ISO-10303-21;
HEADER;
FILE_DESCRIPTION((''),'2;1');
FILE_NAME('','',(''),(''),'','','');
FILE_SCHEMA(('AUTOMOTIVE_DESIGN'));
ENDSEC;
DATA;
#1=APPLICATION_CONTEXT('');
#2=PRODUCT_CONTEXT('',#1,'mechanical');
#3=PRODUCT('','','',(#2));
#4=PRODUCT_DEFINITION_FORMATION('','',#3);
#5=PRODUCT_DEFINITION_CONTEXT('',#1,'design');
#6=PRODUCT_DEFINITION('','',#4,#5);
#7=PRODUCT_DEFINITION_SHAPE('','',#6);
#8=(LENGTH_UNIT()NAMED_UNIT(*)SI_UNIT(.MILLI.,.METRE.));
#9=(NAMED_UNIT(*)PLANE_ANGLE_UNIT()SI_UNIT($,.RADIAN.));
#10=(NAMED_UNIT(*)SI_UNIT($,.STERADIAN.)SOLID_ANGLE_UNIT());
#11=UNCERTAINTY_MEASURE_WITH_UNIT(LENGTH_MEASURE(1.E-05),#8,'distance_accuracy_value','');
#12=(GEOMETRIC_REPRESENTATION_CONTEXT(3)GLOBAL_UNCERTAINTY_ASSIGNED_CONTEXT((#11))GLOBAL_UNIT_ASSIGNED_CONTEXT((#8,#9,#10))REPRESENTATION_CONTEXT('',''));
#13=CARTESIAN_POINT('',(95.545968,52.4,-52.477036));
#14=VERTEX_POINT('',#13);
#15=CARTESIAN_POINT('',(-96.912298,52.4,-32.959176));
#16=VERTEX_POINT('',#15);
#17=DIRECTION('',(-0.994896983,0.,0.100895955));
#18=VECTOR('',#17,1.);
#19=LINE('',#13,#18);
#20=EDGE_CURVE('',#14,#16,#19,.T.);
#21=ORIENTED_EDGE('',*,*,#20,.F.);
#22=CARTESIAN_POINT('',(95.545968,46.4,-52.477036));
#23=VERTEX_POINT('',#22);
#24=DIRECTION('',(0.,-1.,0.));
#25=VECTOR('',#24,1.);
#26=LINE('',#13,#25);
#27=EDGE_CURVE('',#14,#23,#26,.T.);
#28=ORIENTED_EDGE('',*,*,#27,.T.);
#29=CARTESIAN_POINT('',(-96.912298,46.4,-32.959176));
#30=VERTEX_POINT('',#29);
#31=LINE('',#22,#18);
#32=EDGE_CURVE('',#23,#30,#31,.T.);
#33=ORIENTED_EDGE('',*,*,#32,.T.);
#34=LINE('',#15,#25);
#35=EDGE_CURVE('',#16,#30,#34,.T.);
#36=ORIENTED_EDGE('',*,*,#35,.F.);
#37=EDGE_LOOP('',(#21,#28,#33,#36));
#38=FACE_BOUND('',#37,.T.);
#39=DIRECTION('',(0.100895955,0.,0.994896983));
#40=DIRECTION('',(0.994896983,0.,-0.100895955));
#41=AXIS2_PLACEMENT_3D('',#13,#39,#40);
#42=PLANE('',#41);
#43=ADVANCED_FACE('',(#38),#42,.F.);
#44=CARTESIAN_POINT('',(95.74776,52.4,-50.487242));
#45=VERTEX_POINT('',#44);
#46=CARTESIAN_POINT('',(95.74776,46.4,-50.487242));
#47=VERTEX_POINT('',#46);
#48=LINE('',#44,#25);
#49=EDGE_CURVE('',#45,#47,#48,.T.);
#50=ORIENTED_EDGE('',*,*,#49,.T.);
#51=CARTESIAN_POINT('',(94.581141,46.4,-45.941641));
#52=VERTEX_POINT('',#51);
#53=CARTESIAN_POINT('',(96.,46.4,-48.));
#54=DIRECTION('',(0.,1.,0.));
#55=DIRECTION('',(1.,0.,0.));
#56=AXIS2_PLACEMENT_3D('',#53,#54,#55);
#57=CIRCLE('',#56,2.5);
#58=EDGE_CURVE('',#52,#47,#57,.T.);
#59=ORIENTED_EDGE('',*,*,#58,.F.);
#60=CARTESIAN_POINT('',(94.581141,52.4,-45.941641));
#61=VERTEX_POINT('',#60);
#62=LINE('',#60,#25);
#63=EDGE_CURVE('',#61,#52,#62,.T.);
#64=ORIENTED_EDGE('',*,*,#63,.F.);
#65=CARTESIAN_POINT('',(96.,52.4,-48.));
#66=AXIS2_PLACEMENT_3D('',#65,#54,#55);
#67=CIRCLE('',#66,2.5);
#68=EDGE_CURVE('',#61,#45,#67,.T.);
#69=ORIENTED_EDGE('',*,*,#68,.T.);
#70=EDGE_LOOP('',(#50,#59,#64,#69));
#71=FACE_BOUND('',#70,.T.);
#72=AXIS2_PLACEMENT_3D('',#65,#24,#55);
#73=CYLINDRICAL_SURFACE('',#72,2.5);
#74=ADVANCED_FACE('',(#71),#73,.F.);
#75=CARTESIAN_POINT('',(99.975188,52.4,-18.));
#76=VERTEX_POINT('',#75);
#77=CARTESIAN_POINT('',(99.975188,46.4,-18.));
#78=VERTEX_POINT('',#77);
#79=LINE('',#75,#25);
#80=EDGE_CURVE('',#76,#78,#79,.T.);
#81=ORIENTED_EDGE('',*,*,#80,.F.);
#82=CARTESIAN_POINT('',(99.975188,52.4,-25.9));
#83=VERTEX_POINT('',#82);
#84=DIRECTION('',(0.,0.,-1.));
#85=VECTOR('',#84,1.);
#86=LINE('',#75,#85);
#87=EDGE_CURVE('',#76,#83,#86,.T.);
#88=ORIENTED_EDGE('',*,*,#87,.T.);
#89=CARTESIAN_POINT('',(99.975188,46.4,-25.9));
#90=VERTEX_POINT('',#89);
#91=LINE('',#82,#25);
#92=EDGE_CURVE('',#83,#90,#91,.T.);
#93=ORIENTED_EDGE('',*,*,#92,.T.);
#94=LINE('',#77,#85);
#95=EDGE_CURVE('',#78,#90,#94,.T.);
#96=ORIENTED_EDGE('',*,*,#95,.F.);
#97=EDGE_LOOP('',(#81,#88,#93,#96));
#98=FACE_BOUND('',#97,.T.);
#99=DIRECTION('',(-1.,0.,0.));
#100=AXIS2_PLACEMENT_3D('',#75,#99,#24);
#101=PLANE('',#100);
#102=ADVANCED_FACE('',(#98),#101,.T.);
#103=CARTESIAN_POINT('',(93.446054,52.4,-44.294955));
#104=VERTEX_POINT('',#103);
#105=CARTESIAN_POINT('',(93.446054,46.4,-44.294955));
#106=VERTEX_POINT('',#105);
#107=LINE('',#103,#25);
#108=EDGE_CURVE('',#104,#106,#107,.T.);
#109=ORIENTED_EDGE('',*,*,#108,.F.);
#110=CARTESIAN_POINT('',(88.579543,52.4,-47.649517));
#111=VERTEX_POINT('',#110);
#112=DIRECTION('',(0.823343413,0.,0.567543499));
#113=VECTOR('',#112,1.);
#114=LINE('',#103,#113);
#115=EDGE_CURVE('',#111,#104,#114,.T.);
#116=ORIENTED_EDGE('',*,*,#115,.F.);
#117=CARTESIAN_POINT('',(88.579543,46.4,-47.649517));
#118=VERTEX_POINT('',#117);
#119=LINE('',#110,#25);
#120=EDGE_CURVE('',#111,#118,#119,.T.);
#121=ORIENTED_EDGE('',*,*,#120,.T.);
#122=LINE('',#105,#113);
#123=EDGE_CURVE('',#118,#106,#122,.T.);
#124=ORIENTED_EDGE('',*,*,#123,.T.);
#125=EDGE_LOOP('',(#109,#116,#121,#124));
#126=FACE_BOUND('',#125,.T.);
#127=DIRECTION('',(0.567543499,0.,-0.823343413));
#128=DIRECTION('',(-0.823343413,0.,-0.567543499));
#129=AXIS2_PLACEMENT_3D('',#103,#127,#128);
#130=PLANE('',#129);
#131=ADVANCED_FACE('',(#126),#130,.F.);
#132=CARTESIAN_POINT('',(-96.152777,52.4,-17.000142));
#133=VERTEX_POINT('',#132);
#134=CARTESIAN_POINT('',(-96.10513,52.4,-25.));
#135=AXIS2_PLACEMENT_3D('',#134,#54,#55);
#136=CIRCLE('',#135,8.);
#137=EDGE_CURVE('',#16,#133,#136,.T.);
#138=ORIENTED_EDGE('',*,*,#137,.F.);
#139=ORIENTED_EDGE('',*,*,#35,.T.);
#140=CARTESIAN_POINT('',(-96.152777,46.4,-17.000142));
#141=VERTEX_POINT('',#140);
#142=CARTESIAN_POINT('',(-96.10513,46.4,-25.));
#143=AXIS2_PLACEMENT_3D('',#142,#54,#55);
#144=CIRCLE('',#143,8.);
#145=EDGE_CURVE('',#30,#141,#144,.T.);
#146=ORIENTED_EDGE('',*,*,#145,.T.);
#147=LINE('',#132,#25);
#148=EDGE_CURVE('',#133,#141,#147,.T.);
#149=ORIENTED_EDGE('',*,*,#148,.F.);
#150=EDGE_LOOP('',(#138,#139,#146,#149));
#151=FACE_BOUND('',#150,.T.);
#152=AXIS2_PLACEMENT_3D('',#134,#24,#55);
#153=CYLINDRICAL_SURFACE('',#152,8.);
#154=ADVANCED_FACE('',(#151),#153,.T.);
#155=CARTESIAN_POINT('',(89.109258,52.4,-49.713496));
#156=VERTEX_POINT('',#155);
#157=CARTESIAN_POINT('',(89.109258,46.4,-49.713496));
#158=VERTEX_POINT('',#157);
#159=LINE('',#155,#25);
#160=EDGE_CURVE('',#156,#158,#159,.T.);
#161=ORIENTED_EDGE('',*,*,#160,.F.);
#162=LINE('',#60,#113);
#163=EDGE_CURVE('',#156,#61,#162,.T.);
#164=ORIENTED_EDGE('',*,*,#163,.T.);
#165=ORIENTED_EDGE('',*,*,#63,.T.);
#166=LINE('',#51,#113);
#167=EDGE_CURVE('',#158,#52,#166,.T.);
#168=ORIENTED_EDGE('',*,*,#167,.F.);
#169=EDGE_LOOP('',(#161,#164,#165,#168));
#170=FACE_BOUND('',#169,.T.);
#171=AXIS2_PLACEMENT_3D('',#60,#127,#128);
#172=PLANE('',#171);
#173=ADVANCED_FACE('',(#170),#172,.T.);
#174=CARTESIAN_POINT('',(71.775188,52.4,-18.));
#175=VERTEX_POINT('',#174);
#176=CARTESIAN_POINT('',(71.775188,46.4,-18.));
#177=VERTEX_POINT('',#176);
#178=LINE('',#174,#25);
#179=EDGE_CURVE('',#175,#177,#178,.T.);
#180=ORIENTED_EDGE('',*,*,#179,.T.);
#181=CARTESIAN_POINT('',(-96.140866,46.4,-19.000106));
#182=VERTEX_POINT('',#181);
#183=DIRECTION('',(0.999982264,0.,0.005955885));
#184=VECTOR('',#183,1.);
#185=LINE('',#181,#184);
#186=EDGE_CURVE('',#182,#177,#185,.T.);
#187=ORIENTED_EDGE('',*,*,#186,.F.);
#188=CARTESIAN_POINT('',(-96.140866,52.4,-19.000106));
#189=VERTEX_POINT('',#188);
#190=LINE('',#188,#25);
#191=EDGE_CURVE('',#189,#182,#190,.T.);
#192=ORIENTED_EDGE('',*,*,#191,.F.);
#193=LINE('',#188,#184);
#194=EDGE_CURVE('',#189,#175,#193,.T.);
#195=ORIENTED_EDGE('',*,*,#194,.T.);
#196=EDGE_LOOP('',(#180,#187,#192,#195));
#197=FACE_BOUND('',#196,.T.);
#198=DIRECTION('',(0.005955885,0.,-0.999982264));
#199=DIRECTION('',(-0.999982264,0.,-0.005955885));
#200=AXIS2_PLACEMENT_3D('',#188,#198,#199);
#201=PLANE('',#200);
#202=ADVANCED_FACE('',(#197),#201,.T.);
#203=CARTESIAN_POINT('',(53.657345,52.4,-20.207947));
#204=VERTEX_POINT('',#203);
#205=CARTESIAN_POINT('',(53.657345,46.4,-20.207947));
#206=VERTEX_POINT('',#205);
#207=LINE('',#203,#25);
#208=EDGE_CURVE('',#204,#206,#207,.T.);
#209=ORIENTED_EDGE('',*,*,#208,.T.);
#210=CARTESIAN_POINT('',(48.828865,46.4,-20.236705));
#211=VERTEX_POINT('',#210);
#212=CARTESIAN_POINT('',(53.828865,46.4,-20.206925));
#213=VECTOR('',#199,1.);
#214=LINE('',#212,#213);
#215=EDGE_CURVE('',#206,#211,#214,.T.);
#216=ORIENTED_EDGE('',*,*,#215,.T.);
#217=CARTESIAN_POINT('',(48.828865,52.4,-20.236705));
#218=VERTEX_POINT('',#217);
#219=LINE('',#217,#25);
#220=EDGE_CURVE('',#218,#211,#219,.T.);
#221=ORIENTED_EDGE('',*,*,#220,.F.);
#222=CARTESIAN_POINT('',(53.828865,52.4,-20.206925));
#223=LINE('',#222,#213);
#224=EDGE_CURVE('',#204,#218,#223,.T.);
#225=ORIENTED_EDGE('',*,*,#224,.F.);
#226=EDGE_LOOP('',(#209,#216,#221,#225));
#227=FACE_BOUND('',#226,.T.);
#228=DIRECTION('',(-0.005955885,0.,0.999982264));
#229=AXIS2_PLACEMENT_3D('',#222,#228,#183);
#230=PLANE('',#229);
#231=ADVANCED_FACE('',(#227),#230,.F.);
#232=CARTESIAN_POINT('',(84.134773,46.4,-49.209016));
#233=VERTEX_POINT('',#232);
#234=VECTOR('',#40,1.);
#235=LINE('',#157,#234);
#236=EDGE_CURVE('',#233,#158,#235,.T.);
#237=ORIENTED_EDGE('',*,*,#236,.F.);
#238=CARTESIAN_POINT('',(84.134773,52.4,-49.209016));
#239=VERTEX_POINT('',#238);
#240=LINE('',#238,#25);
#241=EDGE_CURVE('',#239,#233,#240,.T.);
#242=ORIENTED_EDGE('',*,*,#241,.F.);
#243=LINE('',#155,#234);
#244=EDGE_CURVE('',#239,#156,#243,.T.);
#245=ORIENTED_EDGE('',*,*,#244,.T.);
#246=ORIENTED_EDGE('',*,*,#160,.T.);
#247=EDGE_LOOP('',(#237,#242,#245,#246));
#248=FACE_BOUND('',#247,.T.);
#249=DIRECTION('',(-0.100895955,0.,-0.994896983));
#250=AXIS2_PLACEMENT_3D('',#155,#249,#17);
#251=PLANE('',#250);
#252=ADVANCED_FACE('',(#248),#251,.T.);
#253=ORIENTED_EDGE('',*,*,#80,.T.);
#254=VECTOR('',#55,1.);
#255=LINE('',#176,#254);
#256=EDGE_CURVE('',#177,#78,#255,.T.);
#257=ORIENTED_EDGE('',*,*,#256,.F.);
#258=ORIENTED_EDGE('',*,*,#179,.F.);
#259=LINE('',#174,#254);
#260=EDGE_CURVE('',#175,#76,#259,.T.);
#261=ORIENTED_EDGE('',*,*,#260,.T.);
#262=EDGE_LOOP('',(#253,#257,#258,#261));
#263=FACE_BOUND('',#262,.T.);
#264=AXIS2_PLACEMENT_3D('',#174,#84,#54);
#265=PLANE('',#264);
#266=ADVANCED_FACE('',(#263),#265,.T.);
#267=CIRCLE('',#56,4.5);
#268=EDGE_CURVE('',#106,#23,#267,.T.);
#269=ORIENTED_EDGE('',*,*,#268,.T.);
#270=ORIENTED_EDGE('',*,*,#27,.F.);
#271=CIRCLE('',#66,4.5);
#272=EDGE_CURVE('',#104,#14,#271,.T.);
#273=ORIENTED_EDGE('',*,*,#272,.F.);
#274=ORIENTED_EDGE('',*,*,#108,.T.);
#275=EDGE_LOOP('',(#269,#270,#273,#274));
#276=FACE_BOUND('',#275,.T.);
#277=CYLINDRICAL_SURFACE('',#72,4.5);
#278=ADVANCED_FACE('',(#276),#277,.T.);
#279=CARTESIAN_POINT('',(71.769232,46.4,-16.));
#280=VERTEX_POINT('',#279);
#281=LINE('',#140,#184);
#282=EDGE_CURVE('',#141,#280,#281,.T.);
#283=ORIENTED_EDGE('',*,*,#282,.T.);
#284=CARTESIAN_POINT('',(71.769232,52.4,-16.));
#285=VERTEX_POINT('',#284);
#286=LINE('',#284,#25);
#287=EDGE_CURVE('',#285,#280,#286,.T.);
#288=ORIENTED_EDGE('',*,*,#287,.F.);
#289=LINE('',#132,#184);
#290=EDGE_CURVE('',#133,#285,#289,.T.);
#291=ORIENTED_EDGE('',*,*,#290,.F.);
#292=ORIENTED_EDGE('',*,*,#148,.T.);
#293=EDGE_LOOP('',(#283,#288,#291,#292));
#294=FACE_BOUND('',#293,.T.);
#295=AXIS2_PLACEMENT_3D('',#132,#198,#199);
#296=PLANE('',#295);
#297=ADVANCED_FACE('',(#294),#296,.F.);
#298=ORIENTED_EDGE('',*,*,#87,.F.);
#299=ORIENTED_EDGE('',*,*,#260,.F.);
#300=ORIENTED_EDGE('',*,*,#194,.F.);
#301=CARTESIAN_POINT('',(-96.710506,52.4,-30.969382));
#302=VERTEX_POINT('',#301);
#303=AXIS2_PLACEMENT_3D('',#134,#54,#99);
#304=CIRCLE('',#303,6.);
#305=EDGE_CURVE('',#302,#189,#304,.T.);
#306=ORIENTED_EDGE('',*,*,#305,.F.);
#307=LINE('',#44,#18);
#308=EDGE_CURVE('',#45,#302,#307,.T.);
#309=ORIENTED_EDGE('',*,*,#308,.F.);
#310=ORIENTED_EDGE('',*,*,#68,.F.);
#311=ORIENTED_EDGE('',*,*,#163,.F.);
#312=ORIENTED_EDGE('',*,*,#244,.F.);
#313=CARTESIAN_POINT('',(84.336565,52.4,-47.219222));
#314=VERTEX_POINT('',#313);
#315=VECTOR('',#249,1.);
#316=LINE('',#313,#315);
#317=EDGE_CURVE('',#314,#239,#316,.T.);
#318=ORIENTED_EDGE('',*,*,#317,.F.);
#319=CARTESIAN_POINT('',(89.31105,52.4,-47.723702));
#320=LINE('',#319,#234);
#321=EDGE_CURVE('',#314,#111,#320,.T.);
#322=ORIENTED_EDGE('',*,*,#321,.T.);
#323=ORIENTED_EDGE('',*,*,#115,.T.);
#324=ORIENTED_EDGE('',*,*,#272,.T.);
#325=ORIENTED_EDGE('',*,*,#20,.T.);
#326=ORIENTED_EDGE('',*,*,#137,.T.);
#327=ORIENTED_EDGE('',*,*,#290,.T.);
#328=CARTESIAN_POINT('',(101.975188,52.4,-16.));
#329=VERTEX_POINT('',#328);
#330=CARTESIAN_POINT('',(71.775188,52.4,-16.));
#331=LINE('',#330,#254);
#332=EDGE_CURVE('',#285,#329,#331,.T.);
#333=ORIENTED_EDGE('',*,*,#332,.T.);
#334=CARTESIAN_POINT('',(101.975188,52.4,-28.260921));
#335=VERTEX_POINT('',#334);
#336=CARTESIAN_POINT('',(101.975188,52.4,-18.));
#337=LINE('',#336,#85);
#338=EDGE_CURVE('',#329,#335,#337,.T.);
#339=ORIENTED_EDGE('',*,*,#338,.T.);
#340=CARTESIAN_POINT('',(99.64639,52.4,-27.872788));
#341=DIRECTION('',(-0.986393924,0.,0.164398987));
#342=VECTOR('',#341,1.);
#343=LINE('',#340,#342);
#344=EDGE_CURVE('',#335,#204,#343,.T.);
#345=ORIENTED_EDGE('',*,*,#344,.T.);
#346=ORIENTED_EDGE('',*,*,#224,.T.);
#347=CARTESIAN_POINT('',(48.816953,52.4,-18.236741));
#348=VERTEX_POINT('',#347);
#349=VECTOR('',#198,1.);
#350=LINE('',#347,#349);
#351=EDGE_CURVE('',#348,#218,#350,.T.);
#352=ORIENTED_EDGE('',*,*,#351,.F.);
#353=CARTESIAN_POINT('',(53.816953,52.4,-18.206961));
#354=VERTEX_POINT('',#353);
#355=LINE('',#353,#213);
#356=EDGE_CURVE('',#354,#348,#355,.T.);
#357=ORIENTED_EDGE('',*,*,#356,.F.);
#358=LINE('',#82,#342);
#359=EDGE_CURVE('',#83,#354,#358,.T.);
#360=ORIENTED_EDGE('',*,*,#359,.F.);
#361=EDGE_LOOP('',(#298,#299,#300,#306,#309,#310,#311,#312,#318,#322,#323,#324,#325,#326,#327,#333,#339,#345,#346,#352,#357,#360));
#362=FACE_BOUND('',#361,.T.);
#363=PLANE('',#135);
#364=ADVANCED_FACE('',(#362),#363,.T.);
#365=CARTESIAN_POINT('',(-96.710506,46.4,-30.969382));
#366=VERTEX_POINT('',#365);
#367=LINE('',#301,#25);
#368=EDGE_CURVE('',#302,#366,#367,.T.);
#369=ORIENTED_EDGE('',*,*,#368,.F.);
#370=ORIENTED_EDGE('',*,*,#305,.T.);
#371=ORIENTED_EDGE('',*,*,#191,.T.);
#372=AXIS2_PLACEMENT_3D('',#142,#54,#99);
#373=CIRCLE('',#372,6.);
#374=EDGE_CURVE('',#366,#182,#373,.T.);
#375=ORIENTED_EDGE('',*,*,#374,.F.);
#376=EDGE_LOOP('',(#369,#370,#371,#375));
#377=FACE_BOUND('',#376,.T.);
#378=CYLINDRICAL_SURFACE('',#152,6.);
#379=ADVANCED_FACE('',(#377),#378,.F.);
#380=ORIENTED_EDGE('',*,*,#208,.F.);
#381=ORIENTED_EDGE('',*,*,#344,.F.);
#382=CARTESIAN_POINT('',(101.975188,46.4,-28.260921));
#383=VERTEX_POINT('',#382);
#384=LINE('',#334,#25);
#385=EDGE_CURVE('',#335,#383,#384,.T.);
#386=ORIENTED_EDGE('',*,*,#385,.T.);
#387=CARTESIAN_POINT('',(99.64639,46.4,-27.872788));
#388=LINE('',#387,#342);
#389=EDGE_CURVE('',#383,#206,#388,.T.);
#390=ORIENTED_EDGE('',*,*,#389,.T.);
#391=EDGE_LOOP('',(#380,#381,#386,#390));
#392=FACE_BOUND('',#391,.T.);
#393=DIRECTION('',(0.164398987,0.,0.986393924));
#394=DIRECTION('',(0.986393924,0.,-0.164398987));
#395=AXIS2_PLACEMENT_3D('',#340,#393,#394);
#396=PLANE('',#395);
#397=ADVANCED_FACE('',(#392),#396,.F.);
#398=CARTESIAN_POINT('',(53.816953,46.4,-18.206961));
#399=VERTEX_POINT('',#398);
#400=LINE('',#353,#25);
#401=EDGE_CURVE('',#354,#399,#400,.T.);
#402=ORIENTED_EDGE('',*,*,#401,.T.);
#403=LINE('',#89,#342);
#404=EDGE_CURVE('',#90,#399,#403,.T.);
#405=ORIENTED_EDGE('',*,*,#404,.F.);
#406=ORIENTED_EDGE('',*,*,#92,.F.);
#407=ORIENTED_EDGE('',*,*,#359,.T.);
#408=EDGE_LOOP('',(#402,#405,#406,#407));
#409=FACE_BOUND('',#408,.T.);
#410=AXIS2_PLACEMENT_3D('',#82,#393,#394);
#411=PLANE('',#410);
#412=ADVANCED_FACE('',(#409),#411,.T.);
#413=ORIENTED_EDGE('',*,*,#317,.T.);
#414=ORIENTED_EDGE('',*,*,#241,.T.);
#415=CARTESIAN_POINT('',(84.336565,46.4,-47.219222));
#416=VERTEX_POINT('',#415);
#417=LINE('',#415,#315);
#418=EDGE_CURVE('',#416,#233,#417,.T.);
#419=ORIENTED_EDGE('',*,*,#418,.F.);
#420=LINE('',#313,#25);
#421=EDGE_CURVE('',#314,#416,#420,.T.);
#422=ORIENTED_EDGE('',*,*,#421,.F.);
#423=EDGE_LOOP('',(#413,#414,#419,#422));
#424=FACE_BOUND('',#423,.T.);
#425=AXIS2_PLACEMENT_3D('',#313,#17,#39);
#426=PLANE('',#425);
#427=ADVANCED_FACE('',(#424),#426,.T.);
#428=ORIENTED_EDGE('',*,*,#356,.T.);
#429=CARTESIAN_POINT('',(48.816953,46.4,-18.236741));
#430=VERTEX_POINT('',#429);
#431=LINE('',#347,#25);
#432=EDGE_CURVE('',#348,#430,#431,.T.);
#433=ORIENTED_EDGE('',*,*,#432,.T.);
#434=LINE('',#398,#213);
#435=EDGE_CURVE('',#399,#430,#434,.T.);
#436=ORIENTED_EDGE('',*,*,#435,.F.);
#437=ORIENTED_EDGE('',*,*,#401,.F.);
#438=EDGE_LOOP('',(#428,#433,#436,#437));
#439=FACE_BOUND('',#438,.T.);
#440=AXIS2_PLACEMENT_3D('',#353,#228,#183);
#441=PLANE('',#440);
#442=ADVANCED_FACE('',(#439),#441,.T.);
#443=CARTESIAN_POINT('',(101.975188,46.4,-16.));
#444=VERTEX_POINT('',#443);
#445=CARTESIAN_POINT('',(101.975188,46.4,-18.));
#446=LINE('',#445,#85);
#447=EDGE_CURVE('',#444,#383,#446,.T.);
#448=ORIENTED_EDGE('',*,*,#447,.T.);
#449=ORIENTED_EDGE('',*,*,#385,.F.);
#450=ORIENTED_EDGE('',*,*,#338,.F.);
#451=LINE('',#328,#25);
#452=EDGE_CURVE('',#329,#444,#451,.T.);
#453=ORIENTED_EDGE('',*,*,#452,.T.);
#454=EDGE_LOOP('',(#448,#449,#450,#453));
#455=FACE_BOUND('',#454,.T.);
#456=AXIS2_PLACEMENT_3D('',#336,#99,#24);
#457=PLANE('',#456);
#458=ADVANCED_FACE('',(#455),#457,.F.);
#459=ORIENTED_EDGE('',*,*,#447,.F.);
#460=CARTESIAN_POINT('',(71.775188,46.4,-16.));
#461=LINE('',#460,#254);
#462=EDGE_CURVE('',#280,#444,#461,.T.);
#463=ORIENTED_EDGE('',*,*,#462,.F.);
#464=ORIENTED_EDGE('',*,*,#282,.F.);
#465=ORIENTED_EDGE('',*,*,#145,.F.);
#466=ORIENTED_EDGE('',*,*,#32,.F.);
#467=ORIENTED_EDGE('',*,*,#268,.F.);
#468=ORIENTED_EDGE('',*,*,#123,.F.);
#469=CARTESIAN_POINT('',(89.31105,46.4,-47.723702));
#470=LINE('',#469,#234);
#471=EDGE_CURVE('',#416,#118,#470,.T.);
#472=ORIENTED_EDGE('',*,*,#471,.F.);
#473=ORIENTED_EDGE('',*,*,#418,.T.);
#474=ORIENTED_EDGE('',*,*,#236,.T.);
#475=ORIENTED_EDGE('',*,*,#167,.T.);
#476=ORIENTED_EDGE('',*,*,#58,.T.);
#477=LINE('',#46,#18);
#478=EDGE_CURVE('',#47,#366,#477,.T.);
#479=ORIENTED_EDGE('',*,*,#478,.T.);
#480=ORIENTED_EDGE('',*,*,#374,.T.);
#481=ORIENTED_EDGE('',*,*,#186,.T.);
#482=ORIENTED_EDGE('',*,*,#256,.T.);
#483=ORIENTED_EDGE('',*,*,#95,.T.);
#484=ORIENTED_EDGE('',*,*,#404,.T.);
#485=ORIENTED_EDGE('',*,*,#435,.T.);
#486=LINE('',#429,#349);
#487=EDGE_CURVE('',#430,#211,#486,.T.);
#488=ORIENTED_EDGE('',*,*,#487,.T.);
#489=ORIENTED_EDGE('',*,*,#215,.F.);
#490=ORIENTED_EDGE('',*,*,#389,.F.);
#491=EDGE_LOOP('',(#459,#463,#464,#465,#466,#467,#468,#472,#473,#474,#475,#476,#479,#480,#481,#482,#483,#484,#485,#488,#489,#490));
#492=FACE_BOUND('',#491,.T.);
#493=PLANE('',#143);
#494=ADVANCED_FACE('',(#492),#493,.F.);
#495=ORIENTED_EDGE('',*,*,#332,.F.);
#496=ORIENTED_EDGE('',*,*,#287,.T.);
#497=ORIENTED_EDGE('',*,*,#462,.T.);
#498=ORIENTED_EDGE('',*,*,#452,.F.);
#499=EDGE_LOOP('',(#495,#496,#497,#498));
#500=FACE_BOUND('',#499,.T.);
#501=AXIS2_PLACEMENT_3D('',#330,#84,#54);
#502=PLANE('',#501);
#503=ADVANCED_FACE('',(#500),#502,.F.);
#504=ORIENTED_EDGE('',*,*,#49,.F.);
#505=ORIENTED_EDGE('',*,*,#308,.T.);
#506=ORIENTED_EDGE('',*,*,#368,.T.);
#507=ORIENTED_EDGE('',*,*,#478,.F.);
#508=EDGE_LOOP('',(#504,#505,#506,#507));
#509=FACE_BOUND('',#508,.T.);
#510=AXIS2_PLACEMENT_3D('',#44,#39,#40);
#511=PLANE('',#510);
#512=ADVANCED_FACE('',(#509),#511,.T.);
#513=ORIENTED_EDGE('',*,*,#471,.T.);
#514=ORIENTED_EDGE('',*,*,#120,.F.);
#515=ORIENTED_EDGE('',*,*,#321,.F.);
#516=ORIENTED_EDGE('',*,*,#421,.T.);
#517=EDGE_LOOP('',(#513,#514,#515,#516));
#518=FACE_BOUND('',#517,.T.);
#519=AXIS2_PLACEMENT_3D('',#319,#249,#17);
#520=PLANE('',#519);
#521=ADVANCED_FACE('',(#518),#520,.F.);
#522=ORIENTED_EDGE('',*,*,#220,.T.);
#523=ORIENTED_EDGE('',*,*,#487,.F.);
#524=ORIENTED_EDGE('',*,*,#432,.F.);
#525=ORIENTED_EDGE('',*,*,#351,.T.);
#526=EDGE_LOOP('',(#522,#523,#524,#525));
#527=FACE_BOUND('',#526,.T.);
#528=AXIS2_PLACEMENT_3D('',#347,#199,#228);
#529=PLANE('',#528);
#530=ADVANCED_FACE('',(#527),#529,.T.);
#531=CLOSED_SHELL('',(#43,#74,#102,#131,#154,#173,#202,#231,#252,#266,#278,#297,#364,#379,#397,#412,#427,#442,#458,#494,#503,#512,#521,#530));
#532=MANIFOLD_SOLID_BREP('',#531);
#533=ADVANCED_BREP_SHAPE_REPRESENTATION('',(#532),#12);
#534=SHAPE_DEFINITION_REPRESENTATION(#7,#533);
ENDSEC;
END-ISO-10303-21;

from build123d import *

# Parameters (mm, degrees)
EXTRUDE_THIN1_DEPTH = 3


with BuildPart() as part:
    # Sketch1 → Extrude-Thin1 (new, symmetric)
    with BuildSketch(Plane(origin=(0, 49.4, 0), x_dir=(1, 0, 0), z_dir=(0, 1, 0))):
        with BuildLine():
            Line((84.13477336, 49.209016257), (89.109258274, 49.713496032))
            Line((89.109258274, 49.713496032), (94.581141252, 45.941641467))
            ThreePointArc((94.581141252, 45.941641467), (98.421521165, 47.378521725), (95.747760112, 50.487242457))
            Line((95.747760112, 50.487242457), (-96.710506132, 30.969381896))
            ThreePointArc((-96.710506132, 30.969381896), (-102.09834696, 24.714771507), (-96.140865711, 19.000106419))
            Line((-96.140865711, 19.000106419), (71.775188242, 18))
            Line((71.775188242, 18), (99.975188242, 18))
            Line((99.975188242, 18), (99.975188242, 25.9))
            Line((99.975188242, 25.9), (53.816953341, 18.20696085))
            Line((53.816953341, 18.20696085), (48.816953341, 18.236740802))
            Line((48.816953341, 18.236740802), (48.82886511, 20.236705329))
            Line((48.82886511, 20.236705329), (53.65734488, 20.20794695))
            Line((53.65734488, 20.20794695), (101.975188242, 28.260920843))
            Line((101.975188242, 28.260920843), (101.975188242, 16))
            Line((101.975188242, 16), (71.769232304, 16))
            Line((71.769232304, 16), (-96.152777481, 17.000141892))
            ThreePointArc((-96.152777481, 17.000141892), (-104.096085812, 24.619695343), (-96.912298043, 32.959175862))
            Line((-96.912298043, 32.959175862), (95.545968202, 52.477036422))
            ThreePointArc((95.545968202, 52.477036422), (100.358738097, 46.881339105), (93.446054253, 44.29495464))
            Line((93.446054253, 44.29495464), (88.579542516, 47.649517336))
            Line((88.579542516, 47.649517336), (84.33656527, 47.219222292))
            Line((84.33656527, 47.219222292), (84.13477336, 49.209016257))
        make_face()
    extrude(amount=EXTRUDE_THIN1_DEPTH, both=True)


solid = part.part
